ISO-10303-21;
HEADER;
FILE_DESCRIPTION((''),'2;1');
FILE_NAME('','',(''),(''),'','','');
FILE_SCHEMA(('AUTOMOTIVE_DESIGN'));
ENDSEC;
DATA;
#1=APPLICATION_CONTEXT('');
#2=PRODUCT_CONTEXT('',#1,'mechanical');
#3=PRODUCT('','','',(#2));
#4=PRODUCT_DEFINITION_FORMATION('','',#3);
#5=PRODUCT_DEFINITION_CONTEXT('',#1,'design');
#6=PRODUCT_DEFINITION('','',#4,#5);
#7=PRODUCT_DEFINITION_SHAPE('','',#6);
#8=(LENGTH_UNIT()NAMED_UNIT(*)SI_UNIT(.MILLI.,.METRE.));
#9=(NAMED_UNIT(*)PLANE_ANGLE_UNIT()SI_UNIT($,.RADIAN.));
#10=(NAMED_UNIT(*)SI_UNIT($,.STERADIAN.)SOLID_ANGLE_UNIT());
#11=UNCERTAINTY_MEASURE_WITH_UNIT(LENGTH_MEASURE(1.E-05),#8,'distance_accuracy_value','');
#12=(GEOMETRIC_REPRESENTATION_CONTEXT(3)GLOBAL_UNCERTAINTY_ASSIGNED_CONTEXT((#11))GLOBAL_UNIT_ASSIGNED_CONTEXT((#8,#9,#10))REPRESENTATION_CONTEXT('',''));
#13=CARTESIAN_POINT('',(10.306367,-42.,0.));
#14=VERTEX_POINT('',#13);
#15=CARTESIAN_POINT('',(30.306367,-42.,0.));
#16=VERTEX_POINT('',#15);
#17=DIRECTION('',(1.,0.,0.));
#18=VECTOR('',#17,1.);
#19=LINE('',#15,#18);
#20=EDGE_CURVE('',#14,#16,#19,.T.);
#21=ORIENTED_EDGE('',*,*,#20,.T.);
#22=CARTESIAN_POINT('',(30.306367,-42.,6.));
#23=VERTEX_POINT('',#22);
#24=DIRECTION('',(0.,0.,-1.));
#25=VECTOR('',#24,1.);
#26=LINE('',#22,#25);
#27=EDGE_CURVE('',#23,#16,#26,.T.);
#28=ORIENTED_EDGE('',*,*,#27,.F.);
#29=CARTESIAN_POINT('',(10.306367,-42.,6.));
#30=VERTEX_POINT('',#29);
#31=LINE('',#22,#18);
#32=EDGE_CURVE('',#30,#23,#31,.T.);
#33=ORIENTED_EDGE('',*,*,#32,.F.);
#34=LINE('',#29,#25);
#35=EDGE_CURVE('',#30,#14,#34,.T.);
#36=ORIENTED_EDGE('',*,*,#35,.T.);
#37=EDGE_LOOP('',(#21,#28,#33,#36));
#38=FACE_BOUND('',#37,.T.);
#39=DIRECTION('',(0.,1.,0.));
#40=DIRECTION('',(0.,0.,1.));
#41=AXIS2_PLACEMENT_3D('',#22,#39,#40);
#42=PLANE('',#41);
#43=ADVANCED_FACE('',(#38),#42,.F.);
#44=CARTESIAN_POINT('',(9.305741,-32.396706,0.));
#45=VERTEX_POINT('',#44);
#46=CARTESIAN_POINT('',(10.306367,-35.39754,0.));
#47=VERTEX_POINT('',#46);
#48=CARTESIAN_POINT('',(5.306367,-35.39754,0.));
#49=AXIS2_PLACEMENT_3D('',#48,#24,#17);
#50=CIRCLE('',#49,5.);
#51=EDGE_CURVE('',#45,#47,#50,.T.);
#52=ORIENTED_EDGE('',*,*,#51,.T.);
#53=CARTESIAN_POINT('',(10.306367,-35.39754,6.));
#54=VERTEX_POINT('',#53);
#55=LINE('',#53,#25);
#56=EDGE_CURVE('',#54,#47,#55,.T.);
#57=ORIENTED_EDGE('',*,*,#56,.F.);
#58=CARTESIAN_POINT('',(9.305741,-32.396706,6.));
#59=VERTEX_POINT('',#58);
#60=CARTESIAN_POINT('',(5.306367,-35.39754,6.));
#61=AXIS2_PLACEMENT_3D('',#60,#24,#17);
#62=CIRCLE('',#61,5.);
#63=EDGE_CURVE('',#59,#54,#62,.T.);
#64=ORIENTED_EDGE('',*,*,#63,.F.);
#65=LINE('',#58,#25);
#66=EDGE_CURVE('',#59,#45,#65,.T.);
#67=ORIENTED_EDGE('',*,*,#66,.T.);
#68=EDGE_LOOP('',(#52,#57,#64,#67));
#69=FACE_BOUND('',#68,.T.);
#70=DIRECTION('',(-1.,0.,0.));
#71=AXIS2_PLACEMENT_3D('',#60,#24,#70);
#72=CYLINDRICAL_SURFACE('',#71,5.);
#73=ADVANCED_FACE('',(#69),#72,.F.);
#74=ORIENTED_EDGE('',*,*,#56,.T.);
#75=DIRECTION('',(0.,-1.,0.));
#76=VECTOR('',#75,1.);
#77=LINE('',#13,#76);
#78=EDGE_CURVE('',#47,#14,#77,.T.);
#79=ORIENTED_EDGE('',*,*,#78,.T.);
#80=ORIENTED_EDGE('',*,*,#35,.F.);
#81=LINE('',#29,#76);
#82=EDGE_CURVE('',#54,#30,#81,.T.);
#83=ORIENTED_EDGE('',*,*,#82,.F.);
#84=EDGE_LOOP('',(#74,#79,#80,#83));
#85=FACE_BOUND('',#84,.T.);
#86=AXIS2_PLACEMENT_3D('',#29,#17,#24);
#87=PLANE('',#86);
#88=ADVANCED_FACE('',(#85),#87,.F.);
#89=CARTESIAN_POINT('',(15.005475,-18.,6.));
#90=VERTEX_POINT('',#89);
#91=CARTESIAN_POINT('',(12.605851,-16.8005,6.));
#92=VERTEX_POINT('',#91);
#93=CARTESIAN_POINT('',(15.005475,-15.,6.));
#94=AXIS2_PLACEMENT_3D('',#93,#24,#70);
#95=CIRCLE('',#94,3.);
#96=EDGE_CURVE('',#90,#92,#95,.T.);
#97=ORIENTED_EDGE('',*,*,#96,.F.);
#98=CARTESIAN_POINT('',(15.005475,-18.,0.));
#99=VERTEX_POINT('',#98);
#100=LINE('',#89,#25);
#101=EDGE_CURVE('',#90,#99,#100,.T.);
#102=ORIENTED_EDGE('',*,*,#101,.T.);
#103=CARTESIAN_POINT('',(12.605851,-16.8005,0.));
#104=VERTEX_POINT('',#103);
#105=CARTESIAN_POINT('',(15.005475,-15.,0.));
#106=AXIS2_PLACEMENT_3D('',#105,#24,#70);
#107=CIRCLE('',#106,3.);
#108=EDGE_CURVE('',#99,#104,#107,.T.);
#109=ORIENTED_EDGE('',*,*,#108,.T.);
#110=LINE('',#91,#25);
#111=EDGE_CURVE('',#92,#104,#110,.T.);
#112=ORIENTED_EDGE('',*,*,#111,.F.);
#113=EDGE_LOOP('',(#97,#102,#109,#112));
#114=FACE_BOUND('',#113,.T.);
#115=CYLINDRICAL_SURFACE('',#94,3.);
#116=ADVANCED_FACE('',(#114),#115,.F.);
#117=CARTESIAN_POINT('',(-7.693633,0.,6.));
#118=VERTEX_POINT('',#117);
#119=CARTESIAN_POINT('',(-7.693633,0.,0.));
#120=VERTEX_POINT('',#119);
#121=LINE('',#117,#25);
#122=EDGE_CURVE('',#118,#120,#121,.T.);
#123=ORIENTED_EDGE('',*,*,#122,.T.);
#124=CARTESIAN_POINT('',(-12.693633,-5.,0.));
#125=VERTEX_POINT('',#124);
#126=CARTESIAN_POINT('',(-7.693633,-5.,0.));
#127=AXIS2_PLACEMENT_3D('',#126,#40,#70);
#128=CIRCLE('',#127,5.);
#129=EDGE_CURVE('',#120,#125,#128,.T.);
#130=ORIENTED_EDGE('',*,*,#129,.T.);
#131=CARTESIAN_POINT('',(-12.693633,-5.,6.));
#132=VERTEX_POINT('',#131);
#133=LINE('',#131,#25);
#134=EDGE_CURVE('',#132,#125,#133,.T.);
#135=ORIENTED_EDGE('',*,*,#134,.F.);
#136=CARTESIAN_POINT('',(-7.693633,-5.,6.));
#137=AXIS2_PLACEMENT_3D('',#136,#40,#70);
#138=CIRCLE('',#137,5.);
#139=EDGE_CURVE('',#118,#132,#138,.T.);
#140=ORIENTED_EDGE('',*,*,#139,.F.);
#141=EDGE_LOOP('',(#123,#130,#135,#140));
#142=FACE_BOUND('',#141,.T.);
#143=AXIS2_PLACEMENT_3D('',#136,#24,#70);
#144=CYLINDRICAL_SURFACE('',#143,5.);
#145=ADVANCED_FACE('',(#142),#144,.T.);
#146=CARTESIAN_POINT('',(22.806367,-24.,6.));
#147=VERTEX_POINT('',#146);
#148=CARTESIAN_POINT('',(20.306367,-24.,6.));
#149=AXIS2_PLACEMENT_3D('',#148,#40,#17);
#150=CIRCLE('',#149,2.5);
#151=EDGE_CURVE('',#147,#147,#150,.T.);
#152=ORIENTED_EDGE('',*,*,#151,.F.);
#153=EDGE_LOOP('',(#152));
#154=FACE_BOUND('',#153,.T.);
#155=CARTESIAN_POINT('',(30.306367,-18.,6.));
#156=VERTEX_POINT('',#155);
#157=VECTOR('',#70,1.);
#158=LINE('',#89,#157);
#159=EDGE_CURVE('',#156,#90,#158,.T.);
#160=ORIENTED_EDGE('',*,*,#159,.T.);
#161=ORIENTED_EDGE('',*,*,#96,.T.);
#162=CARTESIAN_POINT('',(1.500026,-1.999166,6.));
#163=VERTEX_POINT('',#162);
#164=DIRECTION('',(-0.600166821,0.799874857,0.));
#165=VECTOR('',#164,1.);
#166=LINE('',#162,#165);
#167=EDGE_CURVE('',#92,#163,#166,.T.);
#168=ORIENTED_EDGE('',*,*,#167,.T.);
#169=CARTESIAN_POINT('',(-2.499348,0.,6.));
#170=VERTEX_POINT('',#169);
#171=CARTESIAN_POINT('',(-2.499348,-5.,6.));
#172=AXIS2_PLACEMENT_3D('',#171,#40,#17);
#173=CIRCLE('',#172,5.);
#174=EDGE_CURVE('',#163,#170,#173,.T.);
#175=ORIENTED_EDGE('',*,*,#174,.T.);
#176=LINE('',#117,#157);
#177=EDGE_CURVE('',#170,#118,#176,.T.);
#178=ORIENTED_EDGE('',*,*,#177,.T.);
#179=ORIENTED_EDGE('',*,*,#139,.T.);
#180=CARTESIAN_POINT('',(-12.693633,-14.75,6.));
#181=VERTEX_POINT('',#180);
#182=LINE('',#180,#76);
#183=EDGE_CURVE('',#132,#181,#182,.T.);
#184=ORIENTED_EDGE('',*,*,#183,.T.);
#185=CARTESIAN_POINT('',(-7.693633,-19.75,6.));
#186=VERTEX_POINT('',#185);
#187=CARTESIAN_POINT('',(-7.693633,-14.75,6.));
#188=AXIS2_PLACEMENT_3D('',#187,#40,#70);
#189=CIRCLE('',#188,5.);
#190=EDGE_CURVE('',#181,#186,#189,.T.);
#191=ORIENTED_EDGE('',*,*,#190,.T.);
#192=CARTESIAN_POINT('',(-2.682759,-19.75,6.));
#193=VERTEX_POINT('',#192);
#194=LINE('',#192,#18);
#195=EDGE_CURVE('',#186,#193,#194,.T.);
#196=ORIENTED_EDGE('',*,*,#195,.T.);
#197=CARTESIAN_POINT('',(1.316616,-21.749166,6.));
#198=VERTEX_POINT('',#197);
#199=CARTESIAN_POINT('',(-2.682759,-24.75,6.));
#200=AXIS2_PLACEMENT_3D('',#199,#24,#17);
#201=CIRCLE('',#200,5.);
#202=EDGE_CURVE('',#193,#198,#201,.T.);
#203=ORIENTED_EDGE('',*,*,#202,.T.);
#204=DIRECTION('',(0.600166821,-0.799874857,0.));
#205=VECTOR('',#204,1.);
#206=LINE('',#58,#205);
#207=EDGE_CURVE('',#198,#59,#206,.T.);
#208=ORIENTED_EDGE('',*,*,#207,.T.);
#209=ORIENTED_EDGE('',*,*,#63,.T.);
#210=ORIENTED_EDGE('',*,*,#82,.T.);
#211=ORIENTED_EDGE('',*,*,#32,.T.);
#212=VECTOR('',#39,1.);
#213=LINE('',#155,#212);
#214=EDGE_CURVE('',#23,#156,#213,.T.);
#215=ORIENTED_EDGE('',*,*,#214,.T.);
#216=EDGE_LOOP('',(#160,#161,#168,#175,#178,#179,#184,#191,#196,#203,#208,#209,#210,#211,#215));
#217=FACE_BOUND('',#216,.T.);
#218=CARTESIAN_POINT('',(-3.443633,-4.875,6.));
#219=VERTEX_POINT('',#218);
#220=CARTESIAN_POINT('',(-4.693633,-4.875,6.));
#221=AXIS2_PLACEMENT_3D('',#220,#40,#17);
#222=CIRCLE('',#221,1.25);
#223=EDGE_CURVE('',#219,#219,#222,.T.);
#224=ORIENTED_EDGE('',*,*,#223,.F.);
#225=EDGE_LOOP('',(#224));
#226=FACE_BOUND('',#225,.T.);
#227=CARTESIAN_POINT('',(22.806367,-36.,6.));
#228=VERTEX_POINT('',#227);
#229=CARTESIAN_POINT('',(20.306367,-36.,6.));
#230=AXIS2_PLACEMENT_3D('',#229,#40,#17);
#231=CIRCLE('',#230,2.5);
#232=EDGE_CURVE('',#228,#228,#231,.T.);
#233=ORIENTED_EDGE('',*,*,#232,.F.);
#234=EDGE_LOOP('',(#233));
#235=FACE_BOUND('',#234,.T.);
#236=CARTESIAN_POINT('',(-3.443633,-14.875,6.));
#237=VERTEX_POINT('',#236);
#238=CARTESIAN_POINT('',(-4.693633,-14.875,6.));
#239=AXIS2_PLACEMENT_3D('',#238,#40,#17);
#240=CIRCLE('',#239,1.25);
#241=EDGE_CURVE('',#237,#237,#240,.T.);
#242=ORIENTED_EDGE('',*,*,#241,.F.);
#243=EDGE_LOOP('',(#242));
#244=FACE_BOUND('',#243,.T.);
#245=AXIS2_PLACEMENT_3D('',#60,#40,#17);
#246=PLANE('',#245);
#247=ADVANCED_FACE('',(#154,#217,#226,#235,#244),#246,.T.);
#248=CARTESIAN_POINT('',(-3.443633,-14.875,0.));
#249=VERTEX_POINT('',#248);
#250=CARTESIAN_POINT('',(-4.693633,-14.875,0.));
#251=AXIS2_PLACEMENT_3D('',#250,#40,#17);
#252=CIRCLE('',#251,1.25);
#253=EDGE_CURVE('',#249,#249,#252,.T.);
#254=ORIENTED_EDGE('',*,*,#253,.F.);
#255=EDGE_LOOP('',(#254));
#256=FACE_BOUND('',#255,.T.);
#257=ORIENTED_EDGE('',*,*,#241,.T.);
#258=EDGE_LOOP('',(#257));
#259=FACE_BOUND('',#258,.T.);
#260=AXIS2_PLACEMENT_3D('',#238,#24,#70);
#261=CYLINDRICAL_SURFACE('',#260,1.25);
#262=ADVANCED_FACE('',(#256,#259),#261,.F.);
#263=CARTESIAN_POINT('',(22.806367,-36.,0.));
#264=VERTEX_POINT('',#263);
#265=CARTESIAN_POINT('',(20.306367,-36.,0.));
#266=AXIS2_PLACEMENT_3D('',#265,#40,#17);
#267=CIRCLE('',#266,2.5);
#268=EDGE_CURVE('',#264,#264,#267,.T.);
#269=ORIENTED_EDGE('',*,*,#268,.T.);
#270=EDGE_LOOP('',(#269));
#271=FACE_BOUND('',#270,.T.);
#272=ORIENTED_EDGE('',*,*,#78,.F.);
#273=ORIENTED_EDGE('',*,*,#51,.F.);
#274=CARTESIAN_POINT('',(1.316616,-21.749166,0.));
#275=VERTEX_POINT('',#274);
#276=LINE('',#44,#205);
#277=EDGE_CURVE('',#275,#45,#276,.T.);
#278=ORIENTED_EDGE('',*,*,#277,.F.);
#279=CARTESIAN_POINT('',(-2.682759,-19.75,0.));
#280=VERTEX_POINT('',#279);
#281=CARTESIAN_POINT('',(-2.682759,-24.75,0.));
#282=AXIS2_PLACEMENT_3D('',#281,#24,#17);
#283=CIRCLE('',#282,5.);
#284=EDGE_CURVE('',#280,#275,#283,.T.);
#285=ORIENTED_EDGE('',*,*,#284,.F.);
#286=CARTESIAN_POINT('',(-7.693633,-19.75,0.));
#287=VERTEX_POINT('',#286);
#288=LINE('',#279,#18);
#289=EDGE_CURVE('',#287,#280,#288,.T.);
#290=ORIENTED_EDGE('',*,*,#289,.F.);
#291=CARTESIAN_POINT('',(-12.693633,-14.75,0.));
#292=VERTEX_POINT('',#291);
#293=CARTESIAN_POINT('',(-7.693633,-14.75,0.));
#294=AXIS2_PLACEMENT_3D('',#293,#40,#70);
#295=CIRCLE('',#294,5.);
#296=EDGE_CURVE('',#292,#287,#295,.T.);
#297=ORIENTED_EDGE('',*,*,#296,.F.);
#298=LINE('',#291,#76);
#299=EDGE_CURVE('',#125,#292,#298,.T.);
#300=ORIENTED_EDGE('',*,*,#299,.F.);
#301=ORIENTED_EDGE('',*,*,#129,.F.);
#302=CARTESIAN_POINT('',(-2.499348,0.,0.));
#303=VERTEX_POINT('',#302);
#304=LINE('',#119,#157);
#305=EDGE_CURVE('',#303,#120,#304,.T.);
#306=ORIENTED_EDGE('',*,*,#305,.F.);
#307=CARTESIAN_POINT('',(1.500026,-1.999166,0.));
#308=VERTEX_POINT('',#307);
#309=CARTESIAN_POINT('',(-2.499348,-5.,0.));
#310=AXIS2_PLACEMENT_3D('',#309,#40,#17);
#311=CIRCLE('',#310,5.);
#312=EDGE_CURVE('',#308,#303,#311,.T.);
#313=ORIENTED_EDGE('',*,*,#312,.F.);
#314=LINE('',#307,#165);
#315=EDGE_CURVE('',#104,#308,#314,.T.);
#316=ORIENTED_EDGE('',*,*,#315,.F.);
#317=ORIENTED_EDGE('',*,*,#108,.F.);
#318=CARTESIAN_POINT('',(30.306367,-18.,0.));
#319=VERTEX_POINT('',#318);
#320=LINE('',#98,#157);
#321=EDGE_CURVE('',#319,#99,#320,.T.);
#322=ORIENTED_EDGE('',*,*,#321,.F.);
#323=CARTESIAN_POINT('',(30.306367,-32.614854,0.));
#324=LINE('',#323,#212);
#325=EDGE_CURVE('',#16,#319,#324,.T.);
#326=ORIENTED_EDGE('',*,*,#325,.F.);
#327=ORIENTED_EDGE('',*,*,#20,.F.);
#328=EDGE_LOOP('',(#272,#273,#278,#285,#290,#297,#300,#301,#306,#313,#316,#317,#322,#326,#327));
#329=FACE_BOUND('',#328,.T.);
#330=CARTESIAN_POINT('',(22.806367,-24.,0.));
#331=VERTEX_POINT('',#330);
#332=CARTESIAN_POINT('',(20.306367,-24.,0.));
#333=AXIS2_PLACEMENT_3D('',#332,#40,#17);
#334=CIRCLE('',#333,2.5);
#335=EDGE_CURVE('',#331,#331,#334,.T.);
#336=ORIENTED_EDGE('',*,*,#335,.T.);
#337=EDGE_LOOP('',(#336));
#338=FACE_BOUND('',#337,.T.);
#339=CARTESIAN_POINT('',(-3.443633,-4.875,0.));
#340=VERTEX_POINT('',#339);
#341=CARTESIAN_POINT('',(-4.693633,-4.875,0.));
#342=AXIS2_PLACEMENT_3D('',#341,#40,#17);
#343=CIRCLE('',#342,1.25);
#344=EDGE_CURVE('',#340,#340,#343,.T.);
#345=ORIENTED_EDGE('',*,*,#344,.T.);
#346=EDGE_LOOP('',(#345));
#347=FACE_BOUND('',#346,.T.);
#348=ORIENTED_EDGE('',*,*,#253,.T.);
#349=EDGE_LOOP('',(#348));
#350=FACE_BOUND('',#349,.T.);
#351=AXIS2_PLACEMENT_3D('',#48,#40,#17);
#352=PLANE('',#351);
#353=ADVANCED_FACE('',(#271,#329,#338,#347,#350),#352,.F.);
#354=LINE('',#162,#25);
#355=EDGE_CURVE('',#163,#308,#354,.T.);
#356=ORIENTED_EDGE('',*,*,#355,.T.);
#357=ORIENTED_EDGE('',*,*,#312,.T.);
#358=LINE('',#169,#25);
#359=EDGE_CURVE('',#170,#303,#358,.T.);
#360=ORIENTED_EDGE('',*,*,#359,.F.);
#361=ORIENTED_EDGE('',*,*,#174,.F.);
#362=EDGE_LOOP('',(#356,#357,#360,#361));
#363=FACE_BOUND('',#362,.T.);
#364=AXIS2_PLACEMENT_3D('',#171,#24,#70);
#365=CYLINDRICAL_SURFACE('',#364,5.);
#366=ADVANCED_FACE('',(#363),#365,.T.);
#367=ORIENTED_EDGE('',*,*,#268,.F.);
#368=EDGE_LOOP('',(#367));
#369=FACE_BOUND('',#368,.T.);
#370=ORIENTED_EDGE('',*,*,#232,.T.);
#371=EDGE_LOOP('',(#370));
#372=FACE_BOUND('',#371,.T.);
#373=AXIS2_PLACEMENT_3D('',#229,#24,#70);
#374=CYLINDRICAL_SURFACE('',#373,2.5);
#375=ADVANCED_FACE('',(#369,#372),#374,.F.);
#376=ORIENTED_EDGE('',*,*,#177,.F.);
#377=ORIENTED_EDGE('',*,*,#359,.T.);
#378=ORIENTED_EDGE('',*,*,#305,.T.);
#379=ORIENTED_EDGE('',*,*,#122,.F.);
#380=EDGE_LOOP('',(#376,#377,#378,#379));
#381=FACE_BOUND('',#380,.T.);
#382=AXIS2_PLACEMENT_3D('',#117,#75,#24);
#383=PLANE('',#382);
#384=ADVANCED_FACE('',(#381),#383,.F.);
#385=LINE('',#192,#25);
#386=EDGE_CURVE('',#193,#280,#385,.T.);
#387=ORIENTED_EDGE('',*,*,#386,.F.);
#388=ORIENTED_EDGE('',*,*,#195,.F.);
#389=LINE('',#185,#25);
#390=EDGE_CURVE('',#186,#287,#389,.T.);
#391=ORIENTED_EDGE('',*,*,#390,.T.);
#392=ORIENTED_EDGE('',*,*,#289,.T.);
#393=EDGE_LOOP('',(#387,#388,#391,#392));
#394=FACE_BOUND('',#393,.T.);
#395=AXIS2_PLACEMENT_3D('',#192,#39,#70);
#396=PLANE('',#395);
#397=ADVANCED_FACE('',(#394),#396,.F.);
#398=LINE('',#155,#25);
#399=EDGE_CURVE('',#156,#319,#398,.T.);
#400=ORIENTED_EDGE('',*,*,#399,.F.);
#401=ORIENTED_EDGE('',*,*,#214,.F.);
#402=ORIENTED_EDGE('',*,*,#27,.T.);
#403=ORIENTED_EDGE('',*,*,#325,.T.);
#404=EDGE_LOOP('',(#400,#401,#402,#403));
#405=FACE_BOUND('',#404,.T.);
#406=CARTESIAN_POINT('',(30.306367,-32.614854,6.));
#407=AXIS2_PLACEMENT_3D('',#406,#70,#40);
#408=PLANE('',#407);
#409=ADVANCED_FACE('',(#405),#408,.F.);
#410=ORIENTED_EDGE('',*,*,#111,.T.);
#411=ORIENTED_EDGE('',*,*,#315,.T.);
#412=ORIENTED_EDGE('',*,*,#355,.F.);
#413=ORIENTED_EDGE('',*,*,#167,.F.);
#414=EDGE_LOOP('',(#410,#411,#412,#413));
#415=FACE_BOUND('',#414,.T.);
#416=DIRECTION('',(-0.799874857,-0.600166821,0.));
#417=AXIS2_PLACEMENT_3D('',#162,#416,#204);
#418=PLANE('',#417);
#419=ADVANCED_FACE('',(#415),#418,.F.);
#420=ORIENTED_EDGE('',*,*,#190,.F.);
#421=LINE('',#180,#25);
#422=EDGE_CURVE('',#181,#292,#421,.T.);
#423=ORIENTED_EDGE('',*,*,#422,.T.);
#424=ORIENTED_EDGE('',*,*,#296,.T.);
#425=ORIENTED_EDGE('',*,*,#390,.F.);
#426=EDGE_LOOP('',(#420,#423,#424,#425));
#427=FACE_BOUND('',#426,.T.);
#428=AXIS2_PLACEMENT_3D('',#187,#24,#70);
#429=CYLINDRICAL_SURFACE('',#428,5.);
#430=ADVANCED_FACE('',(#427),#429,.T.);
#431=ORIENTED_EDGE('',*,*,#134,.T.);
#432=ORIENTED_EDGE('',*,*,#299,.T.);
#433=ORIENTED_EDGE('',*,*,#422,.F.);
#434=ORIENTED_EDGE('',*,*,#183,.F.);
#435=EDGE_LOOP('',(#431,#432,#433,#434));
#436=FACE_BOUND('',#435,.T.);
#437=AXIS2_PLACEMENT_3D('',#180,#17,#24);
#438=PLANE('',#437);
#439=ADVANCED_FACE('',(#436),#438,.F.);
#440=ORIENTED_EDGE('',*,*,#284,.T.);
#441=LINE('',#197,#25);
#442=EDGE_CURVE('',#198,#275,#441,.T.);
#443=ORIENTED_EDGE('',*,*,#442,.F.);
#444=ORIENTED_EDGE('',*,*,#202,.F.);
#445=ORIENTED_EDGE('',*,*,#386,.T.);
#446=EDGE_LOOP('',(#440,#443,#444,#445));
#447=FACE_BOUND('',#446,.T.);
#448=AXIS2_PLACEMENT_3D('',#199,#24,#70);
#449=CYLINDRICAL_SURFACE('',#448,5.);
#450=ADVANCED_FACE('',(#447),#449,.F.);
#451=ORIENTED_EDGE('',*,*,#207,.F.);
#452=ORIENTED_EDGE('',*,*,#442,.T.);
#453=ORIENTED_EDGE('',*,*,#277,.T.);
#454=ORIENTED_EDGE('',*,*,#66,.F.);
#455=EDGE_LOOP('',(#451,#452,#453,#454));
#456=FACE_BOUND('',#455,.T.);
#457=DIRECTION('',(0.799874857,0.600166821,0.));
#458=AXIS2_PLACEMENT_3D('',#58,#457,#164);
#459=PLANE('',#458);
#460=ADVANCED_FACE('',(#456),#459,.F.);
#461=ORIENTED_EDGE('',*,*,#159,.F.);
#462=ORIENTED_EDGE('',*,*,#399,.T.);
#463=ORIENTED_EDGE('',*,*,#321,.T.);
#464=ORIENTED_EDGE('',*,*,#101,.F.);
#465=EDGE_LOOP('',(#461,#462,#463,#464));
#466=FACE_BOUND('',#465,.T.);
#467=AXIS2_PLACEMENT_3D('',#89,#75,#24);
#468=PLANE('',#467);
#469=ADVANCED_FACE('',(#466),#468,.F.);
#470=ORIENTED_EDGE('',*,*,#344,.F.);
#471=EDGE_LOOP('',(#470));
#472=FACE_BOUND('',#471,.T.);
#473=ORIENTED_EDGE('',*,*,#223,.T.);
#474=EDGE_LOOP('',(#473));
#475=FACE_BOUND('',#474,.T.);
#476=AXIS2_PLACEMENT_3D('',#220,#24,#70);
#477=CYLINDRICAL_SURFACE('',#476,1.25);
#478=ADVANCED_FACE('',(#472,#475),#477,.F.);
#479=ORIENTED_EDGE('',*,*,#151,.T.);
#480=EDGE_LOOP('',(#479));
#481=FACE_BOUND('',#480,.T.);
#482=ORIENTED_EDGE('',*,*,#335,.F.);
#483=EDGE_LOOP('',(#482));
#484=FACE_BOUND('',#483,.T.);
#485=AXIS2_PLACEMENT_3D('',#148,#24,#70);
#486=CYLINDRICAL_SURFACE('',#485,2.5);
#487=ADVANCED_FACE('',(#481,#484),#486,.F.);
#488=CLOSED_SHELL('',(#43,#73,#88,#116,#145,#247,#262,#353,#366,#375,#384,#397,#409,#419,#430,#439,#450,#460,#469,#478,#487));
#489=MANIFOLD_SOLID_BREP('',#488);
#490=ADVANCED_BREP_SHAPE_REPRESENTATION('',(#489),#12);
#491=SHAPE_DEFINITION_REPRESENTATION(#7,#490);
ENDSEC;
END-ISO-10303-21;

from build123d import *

# Parameters (mm, degrees)
SKETCH_1_R      = 2.5
SKETCH_1_R_2    = 1.25
EXTRUDE_1_DEPTH = 6


with BuildPart() as part:
    # 草图1 → 凸台-拉伸1 (new body)
    with BuildSketch(Plane.XY):
        with BuildLine():
            Line((1.500025947, -1.999165895), (12.605850611, -16.800500463))
            ThreePointArc((12.605850611, -16.800500463), (13.664114192, -17.683421453), (15.005475182, -18))
            Line((15.005475182, -18), (30.306366751, -18))
            Line((30.306366751, -18), (30.306366751, -32.6148543))
            Line((30.306366751, -32.6148543), (30.306366751, -42))
            Line((30.306366751, -42), (10.306366751, -42))
            Line((10.306366751, -42), (10.306366751, -35.397540485))
            ThreePointArc((10.306366751, -35.397540485), (10.049618348, -33.815907061), (9.305741036, -32.39670638))
            Line((9.305741036, -32.39670638), (1.316615651, -21.749165895))
            ThreePointArc((1.316615651, -21.749165895), (-0.447156984, -20.277630912), (-2.682758634, -19.75))
            Line((-2.682758634, -19.75), (-7.693633249, -19.75))
            ThreePointArc((-7.693633249, -19.75), (-11.229167155, -18.285533906), (-12.693633249, -14.75))
            Line((-12.693633249, -14.75), (-12.693633249, -5))
            ThreePointArc((-12.693633249, -5), (-11.229167155, -1.464466094), (-7.693633249, 0))
            Line((-7.693633249, 0), (-2.499348338, 0))
            ThreePointArc((-2.499348338, 0), (-0.263746688, -0.527630912), (1.500025947, -1.999165895))
        make_face()
        with Locations((20.306366751, -36)):
            Circle(SKETCH_1_R, mode=Mode.SUBTRACT)
        with Locations((20.306366751, -24)):
            Circle(SKETCH_1_R, mode=Mode.SUBTRACT)
        with Locations((-4.693633249, -4.875)):
            Circle(SKETCH_1_R_2, mode=Mode.SUBTRACT)
        with Locations((-4.693633249, -14.875)):
            Circle(SKETCH_1_R_2, mode=Mode.SUBTRACT)
    extrude(amount=EXTRUDE_1_DEPTH)


solid = part.part
